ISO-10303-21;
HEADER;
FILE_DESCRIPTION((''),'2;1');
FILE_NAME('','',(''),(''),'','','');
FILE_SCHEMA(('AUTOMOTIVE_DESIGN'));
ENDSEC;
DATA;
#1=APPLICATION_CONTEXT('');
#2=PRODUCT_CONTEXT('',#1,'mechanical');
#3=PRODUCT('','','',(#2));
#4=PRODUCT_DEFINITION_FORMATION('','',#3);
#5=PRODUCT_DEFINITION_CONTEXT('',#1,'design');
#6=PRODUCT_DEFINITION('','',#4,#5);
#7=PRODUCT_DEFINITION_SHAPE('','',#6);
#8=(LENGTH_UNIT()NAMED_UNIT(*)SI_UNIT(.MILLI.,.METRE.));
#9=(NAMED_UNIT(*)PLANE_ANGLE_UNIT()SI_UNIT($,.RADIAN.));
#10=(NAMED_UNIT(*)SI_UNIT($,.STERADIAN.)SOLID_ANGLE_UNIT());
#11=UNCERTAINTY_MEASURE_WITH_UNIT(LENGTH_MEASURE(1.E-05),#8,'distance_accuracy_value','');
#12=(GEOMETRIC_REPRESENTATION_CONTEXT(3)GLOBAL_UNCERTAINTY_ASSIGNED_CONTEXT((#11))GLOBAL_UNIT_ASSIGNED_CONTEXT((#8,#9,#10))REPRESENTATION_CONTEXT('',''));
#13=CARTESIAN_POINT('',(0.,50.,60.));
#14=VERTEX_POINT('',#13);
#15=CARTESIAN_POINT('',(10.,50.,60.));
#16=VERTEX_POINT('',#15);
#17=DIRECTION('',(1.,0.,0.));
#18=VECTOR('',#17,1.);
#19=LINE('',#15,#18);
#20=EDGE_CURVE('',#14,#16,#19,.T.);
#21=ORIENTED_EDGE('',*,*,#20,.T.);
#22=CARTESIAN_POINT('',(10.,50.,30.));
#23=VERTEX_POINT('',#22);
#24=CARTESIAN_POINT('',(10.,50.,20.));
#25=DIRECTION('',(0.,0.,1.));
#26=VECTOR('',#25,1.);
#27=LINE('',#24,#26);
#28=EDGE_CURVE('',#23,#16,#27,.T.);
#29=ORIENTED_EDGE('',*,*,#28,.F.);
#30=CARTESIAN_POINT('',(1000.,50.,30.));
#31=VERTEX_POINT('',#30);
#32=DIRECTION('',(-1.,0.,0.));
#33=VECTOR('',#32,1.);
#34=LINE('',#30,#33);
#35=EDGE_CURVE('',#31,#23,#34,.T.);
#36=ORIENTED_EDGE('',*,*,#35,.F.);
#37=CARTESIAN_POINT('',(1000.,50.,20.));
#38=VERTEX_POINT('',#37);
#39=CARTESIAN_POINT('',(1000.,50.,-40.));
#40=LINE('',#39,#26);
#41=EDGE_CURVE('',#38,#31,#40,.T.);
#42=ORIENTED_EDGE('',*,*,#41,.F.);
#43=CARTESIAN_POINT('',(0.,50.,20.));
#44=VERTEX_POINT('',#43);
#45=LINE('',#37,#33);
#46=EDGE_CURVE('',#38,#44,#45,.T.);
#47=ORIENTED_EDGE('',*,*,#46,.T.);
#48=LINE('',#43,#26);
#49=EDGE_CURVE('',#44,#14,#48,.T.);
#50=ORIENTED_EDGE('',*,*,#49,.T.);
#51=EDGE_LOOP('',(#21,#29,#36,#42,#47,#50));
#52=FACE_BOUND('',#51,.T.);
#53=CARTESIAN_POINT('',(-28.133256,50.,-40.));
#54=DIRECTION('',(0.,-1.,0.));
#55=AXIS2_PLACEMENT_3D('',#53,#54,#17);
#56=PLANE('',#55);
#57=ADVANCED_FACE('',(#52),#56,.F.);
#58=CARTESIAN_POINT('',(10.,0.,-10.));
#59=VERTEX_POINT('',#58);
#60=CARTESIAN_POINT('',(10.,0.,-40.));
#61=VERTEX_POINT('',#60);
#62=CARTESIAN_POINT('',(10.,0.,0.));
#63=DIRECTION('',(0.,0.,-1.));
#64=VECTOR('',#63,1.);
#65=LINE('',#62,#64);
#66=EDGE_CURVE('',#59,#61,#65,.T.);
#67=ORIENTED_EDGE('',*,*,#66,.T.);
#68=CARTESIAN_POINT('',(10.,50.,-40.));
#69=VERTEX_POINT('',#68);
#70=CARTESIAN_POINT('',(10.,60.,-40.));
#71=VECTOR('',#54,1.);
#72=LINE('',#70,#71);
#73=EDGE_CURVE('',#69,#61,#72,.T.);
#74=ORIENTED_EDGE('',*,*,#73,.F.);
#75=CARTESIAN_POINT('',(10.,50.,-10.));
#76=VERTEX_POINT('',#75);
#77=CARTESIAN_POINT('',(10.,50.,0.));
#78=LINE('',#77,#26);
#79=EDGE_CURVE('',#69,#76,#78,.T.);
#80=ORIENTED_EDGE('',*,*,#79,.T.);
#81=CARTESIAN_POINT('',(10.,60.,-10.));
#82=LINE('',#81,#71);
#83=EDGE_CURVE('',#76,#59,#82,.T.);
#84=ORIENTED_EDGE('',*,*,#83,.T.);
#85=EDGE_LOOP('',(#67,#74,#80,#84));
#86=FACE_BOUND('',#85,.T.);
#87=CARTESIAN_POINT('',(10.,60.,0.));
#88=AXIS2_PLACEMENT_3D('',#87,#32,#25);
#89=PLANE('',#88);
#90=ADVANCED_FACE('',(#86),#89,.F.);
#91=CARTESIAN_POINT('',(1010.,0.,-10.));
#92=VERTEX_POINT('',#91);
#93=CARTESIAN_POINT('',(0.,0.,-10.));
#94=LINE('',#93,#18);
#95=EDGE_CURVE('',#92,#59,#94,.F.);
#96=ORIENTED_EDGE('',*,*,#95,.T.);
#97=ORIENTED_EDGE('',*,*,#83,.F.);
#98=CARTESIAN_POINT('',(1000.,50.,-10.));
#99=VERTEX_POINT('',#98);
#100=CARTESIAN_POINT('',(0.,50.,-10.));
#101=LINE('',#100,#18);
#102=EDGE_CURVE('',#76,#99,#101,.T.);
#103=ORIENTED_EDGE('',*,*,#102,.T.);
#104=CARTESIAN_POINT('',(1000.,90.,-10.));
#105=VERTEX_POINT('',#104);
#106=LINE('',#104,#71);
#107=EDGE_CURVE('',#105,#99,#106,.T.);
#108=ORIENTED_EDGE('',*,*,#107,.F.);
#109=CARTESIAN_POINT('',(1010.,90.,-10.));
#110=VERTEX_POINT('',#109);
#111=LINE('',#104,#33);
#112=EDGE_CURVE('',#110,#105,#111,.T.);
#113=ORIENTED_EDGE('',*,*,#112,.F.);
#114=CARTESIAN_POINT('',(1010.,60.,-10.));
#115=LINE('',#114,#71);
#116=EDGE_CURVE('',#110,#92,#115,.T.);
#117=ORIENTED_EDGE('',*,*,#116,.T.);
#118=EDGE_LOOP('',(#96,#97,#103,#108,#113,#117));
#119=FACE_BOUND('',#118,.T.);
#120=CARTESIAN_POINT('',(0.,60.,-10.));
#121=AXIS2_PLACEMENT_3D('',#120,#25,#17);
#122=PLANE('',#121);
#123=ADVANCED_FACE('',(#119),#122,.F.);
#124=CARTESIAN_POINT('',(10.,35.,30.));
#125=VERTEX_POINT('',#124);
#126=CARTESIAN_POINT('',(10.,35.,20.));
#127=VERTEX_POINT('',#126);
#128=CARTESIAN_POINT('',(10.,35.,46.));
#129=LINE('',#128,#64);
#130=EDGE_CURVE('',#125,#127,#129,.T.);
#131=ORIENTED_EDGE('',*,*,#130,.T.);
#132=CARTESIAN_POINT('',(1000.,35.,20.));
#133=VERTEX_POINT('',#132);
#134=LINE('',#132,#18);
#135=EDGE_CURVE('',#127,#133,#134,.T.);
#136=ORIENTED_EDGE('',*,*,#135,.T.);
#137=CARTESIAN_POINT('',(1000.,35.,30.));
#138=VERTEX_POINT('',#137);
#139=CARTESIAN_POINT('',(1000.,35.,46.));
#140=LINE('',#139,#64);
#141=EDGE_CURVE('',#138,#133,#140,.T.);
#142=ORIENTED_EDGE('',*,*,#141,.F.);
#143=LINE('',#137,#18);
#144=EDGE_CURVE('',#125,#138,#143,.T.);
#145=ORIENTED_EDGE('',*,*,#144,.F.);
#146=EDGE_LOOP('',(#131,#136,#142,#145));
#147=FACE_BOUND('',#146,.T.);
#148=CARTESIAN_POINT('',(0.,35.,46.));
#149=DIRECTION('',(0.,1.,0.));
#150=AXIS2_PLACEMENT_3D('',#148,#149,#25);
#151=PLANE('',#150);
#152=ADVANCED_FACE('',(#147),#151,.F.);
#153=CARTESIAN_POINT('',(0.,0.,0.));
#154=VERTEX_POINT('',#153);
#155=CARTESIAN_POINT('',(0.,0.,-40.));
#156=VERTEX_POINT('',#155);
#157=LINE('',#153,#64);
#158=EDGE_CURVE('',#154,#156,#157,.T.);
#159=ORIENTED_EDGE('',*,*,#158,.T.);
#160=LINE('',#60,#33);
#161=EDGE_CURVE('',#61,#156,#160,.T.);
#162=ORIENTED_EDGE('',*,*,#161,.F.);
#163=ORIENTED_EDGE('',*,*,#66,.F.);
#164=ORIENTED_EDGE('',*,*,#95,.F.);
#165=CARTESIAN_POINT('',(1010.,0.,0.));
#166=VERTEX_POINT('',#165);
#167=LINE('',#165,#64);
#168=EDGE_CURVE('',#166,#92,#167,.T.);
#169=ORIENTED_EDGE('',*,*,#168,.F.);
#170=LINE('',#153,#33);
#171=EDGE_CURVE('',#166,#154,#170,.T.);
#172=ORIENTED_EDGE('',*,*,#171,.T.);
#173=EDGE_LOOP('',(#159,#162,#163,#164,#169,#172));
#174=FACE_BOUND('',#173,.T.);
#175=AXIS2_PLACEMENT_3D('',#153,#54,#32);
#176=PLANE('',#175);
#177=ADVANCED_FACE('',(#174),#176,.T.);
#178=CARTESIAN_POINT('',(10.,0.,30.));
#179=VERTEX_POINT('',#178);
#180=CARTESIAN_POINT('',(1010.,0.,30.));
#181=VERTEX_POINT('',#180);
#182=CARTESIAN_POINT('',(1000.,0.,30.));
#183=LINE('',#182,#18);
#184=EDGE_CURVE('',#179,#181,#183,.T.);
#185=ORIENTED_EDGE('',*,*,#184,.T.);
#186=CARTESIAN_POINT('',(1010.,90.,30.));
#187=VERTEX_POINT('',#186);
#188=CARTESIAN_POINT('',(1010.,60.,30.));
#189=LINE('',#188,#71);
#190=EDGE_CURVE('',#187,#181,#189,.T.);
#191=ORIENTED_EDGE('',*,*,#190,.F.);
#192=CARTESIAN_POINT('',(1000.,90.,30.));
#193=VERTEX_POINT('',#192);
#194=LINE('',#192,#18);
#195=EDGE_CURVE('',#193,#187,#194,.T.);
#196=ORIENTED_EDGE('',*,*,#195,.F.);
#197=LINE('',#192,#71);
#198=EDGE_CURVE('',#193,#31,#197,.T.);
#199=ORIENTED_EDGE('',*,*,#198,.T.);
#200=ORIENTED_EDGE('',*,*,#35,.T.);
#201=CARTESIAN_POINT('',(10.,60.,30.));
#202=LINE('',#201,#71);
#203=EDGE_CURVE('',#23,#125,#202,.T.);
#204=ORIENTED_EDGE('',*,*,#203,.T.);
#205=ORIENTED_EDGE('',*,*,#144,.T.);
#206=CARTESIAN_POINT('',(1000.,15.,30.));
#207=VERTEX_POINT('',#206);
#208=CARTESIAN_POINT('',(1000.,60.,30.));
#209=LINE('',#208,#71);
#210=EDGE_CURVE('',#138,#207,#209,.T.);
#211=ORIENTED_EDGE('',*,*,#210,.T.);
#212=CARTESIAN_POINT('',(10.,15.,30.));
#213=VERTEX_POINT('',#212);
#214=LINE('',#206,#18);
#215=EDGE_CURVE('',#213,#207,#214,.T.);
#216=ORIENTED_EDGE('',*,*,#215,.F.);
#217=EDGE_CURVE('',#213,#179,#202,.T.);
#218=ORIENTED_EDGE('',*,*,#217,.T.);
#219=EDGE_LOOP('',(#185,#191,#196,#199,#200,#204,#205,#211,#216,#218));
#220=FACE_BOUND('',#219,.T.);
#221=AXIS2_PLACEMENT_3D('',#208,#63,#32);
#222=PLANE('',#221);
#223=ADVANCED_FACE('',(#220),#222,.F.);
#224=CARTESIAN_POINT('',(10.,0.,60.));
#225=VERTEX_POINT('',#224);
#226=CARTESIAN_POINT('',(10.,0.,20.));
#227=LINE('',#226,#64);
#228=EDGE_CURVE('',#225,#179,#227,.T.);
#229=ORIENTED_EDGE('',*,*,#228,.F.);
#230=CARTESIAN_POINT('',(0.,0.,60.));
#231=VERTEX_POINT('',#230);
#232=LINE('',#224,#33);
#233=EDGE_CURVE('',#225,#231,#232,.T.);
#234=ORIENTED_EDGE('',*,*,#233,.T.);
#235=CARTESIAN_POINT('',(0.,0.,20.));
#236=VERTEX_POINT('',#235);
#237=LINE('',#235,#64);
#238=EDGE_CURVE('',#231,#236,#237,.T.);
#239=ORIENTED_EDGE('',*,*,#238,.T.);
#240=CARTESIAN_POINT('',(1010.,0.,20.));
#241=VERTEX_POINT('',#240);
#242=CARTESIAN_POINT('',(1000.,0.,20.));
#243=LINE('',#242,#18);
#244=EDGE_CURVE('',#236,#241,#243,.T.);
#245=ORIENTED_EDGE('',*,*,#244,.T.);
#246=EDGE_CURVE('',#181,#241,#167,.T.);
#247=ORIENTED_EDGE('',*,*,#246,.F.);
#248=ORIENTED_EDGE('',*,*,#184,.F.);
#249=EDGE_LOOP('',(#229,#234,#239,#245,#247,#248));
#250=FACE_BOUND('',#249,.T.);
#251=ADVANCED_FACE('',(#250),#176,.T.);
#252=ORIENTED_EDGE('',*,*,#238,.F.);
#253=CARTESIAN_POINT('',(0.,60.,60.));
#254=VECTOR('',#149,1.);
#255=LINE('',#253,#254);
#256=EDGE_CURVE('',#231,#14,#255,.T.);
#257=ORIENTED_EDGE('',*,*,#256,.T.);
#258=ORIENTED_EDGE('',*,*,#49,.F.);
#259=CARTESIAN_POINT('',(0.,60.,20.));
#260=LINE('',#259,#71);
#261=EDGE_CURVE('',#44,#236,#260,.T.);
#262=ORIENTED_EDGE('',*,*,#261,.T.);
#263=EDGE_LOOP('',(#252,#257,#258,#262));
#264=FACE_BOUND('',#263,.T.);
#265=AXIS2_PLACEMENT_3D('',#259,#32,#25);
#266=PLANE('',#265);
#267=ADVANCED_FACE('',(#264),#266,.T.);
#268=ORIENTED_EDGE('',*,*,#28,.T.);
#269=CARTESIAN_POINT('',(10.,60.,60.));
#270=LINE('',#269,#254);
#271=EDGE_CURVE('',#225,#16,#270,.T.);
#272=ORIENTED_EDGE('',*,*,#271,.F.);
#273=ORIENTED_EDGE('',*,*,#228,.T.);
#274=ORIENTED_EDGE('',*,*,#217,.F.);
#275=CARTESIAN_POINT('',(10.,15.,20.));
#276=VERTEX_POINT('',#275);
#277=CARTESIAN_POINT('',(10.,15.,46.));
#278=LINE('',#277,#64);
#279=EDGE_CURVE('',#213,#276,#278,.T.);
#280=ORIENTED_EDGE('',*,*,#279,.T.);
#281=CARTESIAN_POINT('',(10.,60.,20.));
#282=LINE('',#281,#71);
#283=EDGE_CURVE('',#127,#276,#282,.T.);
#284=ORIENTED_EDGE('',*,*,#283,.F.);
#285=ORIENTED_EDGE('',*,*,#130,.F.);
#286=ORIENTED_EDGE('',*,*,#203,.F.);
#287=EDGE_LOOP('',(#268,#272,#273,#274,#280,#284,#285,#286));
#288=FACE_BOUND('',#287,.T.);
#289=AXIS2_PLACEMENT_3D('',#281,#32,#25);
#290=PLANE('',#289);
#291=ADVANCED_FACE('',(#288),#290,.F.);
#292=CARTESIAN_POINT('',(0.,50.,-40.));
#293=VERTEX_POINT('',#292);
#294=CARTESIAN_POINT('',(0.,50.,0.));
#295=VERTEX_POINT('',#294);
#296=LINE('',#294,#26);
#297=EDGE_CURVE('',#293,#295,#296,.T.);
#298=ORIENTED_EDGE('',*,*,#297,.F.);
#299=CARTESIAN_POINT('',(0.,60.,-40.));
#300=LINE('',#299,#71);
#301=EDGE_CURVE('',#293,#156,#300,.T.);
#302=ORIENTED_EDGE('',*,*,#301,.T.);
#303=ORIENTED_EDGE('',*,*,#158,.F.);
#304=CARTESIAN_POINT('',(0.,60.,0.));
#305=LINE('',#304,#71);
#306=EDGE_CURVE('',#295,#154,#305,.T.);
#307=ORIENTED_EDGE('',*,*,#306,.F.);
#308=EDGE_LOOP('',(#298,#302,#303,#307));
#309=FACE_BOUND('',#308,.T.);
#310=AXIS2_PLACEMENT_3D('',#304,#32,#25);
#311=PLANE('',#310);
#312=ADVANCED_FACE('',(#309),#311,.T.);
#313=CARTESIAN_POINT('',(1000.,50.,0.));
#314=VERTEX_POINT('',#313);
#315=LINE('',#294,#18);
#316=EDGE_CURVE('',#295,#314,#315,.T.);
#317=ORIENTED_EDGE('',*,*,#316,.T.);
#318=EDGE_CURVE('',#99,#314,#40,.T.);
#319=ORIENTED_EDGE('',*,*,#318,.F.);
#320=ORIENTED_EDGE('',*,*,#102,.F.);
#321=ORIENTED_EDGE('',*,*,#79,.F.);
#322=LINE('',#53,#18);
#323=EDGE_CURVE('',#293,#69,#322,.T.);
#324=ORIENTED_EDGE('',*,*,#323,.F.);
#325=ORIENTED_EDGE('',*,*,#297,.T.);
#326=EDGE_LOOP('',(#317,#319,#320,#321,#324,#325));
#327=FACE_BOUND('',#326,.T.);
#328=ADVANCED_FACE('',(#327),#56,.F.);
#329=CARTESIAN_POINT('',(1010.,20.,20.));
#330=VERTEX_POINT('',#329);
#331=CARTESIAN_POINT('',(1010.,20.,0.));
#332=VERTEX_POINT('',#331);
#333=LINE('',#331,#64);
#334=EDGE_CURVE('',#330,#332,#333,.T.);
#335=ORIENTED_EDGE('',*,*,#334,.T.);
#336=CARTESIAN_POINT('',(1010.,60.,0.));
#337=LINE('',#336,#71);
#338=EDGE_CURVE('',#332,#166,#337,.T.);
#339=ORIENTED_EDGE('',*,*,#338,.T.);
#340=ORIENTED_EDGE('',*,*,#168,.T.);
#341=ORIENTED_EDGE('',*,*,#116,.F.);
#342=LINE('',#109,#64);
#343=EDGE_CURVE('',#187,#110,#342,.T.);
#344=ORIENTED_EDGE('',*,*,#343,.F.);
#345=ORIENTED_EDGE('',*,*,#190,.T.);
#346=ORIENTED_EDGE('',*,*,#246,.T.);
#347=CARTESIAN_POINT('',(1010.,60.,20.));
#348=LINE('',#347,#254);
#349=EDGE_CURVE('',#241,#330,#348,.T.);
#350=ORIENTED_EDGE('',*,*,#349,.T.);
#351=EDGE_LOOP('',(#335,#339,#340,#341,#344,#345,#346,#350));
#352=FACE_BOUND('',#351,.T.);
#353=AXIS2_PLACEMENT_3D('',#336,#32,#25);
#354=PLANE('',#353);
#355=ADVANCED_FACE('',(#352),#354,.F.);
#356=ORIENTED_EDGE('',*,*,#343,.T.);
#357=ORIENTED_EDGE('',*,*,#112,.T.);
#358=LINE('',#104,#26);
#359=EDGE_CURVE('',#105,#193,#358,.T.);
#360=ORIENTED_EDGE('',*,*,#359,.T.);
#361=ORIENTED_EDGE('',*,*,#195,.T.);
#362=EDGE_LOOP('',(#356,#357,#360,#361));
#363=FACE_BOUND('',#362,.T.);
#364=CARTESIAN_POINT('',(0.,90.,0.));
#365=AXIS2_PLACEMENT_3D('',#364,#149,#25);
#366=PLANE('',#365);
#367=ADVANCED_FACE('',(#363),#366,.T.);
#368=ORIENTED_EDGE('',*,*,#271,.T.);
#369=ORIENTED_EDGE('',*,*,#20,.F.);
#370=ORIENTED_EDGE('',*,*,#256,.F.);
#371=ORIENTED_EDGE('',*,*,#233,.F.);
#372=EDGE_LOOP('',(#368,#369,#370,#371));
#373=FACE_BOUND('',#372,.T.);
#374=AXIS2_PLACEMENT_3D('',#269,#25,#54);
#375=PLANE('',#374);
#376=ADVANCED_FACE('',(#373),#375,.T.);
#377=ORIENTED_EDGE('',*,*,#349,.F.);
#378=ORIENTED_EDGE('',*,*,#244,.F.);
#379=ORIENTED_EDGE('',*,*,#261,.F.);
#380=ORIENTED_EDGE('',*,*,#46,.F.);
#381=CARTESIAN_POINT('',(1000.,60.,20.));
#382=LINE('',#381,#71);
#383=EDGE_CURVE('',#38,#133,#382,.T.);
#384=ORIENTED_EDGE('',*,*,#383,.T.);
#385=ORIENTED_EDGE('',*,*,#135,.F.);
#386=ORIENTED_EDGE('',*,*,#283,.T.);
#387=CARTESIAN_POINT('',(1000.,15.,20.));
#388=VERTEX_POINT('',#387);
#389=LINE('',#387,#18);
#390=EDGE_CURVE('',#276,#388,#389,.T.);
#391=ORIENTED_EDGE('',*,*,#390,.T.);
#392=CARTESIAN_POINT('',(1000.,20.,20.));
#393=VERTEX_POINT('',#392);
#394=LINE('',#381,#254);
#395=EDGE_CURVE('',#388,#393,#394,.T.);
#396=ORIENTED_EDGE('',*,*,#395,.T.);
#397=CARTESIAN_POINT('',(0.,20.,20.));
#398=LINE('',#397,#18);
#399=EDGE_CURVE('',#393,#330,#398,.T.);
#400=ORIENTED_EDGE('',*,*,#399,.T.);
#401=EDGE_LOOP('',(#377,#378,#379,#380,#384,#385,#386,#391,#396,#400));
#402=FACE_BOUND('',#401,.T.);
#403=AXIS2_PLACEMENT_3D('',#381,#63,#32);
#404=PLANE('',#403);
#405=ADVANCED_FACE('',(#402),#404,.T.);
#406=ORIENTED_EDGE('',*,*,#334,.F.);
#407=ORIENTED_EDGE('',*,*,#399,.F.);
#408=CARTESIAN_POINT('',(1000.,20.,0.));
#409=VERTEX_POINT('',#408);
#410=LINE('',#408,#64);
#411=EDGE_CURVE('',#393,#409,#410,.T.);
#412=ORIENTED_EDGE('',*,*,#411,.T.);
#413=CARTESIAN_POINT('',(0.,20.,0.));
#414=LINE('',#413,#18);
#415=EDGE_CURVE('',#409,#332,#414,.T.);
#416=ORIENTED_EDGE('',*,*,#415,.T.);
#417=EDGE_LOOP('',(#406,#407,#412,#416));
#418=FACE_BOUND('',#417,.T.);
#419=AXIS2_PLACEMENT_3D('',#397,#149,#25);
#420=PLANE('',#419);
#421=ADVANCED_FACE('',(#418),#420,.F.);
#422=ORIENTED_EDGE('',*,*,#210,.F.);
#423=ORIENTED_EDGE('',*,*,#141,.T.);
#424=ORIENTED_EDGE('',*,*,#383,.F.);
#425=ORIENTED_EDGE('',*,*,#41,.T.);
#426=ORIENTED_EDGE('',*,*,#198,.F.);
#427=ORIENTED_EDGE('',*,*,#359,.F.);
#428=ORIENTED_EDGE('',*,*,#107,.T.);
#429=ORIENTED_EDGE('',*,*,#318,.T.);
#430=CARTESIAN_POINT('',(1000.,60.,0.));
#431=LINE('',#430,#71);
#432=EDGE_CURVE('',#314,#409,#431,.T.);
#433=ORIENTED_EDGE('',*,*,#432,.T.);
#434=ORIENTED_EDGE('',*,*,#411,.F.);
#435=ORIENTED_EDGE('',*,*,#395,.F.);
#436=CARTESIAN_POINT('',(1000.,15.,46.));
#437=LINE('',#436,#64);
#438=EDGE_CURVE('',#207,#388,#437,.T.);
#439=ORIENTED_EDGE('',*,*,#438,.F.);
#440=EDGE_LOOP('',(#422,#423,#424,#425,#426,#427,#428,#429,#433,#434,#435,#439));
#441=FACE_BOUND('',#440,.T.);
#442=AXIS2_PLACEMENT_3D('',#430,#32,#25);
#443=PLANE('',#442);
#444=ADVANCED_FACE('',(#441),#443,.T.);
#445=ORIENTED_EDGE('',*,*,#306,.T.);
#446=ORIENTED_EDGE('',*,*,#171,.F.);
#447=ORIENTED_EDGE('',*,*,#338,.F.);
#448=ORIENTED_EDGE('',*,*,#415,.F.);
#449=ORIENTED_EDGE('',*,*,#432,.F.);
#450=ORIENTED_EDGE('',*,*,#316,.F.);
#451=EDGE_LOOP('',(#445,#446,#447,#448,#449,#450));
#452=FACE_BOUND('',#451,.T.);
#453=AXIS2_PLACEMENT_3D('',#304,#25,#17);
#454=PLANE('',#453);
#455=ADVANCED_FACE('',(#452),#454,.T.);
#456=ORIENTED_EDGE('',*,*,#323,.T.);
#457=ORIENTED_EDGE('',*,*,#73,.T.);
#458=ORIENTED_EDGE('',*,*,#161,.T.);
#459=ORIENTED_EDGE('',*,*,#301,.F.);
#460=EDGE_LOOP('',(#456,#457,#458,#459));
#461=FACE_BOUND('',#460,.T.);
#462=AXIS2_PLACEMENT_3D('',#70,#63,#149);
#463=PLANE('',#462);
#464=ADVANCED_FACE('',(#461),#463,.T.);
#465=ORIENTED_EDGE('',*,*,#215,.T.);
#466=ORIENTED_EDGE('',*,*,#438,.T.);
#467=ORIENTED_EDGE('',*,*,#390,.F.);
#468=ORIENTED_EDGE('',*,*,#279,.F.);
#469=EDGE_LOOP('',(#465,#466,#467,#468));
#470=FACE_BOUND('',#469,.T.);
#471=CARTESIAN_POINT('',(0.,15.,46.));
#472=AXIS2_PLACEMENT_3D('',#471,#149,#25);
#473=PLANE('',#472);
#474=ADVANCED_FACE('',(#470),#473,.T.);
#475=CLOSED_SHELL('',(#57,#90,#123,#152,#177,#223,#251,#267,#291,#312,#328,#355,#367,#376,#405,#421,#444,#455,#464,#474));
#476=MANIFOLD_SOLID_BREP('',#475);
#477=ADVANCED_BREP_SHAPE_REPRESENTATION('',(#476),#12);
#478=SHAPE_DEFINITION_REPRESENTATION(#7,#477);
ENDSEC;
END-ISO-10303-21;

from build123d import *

# Parameters (mm, degrees)
EXTRUDE_1_DEPTH          = 60
SKETCH_2_W               = 10
SKETCH_2_H               = 40
EXTRUDE_1_2_DEPTH        = 30
SKETCH_3_W               = 40
SKETCH_3_H               = 60
EXTRUDE_2_DEPTH          = 10
CUT_EXTRUDE_1_DEPTH      = 1017.415269464
CUT_EXTRUDE_1_DEPTH_BACK = 1017.415269464
SKETCH_4_W               = 1028.133255753
SKETCH_4_H               = 25
SKETCH_5_W               = 990
SKETCH_5_H               = 10
CUT_EXTRUDE_2_DEPTH      = 16
CUT_EXTRUDE_3_DEPTH      = 1016.775565762
CUT_EXTRUDE_3_DEPTH_BACK = 1016.775565762
SKETCH_7_W               = 20
SKETCH_7_H               = 20


with BuildPart() as part:
    # 草图1 → Extrude 1 (new body)
    with BuildSketch(Plane(origin=(0, 0, 0), x_dir=(1, 0, 0), z_dir=(0, 1, 0))):
        Polygon((0, 10.786516854), (0, 0), (1000, 0), (1000, -20), (0, -20), (0, -30.786516854), (10, -30.786516854), (10, -30), (1010, -30), (1010, 10), (10, 10), (10, 10.786516854), align=None)
    extrude(amount=EXTRUDE_1_DEPTH)

    # 草图2 → Extrude 1 2 (add)
    with BuildSketch(Plane(origin=(0, 60, 0), x_dir=(1, 0, 0), z_dir=(0, 1, 0))):
        with Locations((1005, -10)):
            Rectangle(SKETCH_2_W, SKETCH_2_H)
    extrude(amount=EXTRUDE_1_2_DEPTH)

    # 草图3 → 凸台-拉伸2 (add)
    with BuildSketch(Plane.ZY):
        with Locations((-20, 30)):
            Rectangle(SKETCH_3_W, SKETCH_3_H)
        with Locations((40, 30)):
            Rectangle(SKETCH_3_W, SKETCH_3_H)
    extrude(amount=-EXTRUDE_2_DEPTH)

    # 草图4 → 切除-拉伸1 (cut, two sides: drawn at the far end of the back side and taken through both)
    with BuildSketch(Plane.XY.offset(30).offset(-CUT_EXTRUDE_1_DEPTH_BACK)):
        with Locations((485.933372124, 62.5)):
            Rectangle(SKETCH_4_W, SKETCH_4_H)
    extrude(amount=CUT_EXTRUDE_1_DEPTH + CUT_EXTRUDE_1_DEPTH_BACK, mode=Mode.SUBTRACT)

    # 草图5 → 切除-拉伸2 (cut, symmetric)
    with BuildSketch(Plane.XY.offset(30)):
        with Locations((505, 30)):
            Rectangle(SKETCH_5_W, SKETCH_5_H)
        with Locations((505, 20)):
            Rectangle(SKETCH_5_W, SKETCH_5_H)
    extrude(amount=CUT_EXTRUDE_2_DEPTH, both=True, mode=Mode.SUBTRACT)

    # 草图7 → 切除-拉伸3 (cut, two sides: drawn at the far end of the back side and taken through both)
    with BuildSketch(Plane(origin=(1010, 0, 0), x_dir=(0, 0, -1), z_dir=(1, 0, 0)).offset(-CUT_EXTRUDE_3_DEPTH_BACK)):
        with Locations((-10, 10)):
            Rectangle(SKETCH_7_W, SKETCH_7_H)
    extrude(amount=CUT_EXTRUDE_3_DEPTH + CUT_EXTRUDE_3_DEPTH_BACK, mode=Mode.SUBTRACT)


solid = part.part
